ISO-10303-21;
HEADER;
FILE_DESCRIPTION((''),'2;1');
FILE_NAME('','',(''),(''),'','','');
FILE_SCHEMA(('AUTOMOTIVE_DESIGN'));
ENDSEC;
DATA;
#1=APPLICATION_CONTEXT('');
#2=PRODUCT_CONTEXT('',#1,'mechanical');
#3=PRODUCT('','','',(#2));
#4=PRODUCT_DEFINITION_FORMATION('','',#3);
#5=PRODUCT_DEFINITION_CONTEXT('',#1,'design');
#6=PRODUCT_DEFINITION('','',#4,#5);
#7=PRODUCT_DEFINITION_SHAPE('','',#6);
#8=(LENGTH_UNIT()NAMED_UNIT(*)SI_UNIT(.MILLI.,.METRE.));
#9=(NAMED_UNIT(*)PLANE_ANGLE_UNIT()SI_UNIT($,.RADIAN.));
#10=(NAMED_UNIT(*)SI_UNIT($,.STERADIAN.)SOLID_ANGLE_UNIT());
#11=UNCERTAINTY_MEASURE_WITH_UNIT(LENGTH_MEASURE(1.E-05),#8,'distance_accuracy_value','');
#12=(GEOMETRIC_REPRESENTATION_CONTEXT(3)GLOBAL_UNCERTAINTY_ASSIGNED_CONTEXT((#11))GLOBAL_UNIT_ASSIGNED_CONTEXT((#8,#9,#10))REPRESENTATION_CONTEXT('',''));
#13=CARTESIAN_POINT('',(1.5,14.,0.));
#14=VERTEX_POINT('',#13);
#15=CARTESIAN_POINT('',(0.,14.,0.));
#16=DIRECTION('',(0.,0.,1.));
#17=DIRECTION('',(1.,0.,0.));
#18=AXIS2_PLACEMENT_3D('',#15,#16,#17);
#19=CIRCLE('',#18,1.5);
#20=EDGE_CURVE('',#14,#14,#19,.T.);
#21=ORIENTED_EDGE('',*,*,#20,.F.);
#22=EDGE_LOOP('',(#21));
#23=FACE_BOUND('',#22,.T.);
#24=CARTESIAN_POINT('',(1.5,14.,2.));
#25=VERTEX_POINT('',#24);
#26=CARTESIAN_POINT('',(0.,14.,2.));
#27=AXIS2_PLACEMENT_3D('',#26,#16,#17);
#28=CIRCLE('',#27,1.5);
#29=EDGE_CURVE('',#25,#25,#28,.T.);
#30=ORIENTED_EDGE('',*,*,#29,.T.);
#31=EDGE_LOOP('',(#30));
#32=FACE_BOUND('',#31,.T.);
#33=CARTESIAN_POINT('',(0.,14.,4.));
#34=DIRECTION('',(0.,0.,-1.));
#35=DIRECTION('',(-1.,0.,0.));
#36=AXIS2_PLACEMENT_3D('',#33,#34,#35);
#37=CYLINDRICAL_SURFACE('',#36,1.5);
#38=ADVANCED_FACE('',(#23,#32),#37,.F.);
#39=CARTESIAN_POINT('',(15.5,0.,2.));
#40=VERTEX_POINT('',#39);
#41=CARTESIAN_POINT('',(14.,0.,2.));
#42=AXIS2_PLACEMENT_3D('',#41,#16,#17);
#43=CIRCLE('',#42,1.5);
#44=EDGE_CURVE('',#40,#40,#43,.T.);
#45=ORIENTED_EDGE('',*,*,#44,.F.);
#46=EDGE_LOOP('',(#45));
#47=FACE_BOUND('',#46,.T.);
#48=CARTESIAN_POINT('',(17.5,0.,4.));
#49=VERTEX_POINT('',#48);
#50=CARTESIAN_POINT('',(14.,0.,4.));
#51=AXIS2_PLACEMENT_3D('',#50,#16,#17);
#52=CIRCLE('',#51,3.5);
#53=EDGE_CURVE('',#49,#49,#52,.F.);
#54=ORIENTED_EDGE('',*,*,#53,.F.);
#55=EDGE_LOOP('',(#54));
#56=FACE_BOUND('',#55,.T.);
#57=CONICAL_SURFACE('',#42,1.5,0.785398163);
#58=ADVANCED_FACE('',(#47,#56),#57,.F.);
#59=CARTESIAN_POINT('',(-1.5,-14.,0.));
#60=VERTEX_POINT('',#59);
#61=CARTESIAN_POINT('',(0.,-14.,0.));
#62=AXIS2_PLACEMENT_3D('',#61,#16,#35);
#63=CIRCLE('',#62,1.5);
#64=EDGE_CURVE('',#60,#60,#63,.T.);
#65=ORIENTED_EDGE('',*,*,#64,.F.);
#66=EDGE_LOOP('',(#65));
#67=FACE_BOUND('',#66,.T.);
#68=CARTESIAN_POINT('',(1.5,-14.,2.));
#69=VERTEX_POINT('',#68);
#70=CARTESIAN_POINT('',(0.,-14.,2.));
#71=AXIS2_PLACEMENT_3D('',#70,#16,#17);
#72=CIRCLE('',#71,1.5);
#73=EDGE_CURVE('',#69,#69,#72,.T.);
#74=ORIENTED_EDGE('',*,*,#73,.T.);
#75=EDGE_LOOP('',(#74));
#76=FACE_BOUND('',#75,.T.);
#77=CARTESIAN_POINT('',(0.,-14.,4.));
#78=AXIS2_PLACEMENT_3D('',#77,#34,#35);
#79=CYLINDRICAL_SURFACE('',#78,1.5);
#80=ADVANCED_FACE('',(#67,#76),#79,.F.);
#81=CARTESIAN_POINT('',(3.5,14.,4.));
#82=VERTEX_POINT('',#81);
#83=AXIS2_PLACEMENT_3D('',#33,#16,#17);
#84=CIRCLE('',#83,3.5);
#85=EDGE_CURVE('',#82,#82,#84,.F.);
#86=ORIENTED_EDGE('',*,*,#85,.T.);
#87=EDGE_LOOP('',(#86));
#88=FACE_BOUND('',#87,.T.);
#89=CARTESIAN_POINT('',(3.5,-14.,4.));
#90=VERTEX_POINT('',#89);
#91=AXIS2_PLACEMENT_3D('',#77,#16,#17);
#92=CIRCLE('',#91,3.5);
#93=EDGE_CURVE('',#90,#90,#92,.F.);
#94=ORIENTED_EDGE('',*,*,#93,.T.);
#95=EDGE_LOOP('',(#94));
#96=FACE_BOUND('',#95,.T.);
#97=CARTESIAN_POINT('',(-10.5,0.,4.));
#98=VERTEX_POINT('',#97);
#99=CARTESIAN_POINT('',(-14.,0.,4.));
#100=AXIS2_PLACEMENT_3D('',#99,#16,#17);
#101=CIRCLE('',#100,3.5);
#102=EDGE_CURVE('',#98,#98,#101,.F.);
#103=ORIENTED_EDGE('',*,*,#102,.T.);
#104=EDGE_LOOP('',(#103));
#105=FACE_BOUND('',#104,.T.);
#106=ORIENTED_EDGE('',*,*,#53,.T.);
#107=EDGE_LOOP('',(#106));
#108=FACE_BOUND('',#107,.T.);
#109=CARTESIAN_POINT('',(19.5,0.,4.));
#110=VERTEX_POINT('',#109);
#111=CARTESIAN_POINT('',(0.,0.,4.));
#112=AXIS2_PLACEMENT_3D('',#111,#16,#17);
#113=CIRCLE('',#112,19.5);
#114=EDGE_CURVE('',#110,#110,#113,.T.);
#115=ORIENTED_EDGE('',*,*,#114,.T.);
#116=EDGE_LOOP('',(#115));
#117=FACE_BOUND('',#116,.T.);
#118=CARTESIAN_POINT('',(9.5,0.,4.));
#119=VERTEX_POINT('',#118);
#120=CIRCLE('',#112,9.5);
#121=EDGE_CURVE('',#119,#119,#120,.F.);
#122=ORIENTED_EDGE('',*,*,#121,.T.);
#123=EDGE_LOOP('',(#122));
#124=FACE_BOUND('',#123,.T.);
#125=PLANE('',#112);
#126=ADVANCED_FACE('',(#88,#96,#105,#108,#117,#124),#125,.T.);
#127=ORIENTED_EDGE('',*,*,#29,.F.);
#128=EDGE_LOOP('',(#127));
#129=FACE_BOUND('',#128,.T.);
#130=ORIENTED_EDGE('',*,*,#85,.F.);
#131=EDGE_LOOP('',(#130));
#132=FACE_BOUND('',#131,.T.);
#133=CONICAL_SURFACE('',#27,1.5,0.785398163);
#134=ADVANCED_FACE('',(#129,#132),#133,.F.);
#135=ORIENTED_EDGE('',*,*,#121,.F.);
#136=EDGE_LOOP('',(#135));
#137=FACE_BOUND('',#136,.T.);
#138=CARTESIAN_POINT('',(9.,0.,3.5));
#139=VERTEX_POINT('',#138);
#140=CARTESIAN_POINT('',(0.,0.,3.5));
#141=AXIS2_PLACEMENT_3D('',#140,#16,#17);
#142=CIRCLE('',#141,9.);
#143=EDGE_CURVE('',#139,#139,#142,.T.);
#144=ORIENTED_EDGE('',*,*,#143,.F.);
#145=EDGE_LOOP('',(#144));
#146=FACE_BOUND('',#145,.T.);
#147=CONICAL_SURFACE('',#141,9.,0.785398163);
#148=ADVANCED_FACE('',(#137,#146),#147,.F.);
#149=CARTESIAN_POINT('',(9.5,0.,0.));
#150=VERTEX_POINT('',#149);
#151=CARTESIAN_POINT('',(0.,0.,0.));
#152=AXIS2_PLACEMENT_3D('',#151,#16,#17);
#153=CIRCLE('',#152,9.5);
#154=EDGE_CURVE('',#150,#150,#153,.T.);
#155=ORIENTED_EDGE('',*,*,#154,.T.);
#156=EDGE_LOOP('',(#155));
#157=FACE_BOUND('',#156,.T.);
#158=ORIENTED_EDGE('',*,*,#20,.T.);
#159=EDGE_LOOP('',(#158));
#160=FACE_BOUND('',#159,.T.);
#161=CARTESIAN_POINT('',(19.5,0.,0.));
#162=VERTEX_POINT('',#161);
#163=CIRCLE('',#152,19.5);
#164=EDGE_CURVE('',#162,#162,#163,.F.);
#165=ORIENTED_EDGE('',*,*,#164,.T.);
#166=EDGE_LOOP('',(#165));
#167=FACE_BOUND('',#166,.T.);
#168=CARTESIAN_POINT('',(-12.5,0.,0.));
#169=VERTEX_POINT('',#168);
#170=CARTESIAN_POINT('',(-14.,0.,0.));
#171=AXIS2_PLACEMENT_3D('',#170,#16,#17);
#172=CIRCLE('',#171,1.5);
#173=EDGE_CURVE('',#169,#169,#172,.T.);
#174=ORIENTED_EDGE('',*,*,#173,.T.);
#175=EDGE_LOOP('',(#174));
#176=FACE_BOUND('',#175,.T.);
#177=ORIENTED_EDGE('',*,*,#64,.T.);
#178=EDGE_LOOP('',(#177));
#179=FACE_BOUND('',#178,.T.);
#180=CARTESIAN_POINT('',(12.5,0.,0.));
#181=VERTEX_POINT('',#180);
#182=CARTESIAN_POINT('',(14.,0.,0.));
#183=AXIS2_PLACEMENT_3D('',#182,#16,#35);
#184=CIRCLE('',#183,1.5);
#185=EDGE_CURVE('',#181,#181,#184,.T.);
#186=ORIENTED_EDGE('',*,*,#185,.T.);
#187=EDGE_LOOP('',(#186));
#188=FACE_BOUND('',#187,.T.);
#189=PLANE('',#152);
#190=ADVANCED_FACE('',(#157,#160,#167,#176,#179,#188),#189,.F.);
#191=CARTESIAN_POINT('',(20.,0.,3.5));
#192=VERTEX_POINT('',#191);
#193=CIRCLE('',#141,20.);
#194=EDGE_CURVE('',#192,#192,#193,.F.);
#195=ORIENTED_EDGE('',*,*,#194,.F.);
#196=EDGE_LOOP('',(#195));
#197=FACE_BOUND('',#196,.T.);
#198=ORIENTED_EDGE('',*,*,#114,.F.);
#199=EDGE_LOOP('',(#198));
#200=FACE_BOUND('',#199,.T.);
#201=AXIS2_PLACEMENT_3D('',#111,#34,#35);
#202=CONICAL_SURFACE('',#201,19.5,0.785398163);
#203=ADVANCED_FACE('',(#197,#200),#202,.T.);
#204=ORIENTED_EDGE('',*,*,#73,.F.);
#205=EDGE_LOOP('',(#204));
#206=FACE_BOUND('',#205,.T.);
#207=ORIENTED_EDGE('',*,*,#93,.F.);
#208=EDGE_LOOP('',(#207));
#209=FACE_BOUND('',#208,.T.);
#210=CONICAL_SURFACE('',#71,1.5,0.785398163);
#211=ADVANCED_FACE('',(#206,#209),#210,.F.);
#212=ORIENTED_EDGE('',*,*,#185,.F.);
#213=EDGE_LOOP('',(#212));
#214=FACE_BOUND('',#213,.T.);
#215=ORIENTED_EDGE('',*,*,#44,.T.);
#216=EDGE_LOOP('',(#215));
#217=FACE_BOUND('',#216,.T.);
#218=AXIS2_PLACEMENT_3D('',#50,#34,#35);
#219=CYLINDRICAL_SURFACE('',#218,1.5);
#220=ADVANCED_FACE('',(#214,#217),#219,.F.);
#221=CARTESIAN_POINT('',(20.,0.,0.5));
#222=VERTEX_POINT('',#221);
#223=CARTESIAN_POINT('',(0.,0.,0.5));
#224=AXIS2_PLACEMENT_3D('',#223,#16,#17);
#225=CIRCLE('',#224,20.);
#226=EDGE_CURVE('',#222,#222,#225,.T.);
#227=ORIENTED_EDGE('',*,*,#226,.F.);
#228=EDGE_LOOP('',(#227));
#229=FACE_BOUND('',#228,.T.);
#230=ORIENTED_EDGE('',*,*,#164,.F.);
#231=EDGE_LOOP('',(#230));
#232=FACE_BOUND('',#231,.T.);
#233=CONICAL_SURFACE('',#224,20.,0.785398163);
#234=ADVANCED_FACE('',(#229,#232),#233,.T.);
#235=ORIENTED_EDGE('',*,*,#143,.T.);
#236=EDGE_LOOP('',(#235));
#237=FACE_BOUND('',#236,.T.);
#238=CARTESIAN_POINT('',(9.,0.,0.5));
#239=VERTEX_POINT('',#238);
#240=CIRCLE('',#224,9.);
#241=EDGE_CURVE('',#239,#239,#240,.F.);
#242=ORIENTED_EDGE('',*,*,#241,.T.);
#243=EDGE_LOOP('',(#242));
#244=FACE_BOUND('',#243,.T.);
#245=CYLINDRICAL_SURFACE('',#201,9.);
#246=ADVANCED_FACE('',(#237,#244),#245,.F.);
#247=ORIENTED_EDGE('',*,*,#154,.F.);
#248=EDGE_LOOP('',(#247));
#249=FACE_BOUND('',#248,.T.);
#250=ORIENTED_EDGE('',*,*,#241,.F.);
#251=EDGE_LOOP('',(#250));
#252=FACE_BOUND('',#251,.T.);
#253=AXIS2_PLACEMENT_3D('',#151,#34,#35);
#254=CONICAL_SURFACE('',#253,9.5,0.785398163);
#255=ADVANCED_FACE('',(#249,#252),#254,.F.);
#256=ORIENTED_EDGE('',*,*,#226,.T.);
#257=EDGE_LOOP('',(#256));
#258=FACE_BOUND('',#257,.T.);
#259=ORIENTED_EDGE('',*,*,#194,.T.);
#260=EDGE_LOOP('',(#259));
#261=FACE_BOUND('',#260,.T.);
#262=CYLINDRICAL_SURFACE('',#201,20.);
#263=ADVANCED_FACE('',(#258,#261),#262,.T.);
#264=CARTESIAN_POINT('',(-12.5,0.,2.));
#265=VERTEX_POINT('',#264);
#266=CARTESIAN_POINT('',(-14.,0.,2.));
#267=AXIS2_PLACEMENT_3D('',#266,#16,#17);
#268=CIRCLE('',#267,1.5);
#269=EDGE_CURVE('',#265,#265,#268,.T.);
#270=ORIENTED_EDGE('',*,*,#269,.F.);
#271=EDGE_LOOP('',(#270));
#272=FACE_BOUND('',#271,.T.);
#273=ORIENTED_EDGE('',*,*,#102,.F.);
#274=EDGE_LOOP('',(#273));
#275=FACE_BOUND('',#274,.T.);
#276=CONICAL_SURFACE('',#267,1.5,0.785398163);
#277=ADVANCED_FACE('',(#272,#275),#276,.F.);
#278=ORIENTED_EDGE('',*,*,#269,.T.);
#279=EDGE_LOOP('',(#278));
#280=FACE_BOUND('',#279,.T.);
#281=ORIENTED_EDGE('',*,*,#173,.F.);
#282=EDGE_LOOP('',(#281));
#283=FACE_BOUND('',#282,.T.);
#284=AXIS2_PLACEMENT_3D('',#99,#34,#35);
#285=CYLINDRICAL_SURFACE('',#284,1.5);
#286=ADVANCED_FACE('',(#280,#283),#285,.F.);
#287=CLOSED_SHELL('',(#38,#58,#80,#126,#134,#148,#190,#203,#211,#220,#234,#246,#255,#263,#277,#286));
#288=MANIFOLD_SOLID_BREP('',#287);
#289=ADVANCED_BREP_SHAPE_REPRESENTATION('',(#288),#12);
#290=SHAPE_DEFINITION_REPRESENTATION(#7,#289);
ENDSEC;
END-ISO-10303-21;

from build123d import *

# Parameters (mm, degrees)
ESQUISSE1_R      = 20
ESQUISSE1_R_2    = 9
ESQUISSE1_R_3    = 1.5
EXTRUSION1_DEPTH = 4
CHANFREIN1_SIZE  = 2
CHANFREIN2_SIZE  = 0.5


with BuildPart() as part:
    # Esquisse1 → Extrusion1 (new body)
    with BuildSketch(Plane.XY):
        Circle(ESQUISSE1_R)
        Circle(ESQUISSE1_R_2, mode=Mode.SUBTRACT)
        with Locations((0, 14)):
            Circle(ESQUISSE1_R_3, mode=Mode.SUBTRACT)
        with Locations((-14, 0)):
            Circle(ESQUISSE1_R_3, mode=Mode.SUBTRACT)
        with Locations((14, 0)):
            Circle(ESQUISSE1_R_3, mode=Mode.SUBTRACT)
        with Locations((0, -14)):
            Circle(ESQUISSE1_R_3, mode=Mode.SUBTRACT)
    extrude(amount=EXTRUSION1_DEPTH)

    # Chanfrein1
    chanfrein1_edges = [part.edges().sort_by_distance(p)[0] for p in [
        (-15.5, 0, 4),
        (12.5, 0, 4),
        (-1.5, -14, 4),
        (-1.5, 14, 4),
    ]]
    chamfer(chanfrein1_edges, length=CHANFREIN1_SIZE)

    # Chanfrein2
    chanfrein2_edges = [part.edges().sort_by_distance(p)[0] for p in [
        (-20, 0, 0),
        (-20, 0, 4),
        (-9, 0, 0),
        (-9, 0, 4),
    ]]
    chamfer(chanfrein2_edges, length=CHANFREIN2_SIZE)


solid = part.part
